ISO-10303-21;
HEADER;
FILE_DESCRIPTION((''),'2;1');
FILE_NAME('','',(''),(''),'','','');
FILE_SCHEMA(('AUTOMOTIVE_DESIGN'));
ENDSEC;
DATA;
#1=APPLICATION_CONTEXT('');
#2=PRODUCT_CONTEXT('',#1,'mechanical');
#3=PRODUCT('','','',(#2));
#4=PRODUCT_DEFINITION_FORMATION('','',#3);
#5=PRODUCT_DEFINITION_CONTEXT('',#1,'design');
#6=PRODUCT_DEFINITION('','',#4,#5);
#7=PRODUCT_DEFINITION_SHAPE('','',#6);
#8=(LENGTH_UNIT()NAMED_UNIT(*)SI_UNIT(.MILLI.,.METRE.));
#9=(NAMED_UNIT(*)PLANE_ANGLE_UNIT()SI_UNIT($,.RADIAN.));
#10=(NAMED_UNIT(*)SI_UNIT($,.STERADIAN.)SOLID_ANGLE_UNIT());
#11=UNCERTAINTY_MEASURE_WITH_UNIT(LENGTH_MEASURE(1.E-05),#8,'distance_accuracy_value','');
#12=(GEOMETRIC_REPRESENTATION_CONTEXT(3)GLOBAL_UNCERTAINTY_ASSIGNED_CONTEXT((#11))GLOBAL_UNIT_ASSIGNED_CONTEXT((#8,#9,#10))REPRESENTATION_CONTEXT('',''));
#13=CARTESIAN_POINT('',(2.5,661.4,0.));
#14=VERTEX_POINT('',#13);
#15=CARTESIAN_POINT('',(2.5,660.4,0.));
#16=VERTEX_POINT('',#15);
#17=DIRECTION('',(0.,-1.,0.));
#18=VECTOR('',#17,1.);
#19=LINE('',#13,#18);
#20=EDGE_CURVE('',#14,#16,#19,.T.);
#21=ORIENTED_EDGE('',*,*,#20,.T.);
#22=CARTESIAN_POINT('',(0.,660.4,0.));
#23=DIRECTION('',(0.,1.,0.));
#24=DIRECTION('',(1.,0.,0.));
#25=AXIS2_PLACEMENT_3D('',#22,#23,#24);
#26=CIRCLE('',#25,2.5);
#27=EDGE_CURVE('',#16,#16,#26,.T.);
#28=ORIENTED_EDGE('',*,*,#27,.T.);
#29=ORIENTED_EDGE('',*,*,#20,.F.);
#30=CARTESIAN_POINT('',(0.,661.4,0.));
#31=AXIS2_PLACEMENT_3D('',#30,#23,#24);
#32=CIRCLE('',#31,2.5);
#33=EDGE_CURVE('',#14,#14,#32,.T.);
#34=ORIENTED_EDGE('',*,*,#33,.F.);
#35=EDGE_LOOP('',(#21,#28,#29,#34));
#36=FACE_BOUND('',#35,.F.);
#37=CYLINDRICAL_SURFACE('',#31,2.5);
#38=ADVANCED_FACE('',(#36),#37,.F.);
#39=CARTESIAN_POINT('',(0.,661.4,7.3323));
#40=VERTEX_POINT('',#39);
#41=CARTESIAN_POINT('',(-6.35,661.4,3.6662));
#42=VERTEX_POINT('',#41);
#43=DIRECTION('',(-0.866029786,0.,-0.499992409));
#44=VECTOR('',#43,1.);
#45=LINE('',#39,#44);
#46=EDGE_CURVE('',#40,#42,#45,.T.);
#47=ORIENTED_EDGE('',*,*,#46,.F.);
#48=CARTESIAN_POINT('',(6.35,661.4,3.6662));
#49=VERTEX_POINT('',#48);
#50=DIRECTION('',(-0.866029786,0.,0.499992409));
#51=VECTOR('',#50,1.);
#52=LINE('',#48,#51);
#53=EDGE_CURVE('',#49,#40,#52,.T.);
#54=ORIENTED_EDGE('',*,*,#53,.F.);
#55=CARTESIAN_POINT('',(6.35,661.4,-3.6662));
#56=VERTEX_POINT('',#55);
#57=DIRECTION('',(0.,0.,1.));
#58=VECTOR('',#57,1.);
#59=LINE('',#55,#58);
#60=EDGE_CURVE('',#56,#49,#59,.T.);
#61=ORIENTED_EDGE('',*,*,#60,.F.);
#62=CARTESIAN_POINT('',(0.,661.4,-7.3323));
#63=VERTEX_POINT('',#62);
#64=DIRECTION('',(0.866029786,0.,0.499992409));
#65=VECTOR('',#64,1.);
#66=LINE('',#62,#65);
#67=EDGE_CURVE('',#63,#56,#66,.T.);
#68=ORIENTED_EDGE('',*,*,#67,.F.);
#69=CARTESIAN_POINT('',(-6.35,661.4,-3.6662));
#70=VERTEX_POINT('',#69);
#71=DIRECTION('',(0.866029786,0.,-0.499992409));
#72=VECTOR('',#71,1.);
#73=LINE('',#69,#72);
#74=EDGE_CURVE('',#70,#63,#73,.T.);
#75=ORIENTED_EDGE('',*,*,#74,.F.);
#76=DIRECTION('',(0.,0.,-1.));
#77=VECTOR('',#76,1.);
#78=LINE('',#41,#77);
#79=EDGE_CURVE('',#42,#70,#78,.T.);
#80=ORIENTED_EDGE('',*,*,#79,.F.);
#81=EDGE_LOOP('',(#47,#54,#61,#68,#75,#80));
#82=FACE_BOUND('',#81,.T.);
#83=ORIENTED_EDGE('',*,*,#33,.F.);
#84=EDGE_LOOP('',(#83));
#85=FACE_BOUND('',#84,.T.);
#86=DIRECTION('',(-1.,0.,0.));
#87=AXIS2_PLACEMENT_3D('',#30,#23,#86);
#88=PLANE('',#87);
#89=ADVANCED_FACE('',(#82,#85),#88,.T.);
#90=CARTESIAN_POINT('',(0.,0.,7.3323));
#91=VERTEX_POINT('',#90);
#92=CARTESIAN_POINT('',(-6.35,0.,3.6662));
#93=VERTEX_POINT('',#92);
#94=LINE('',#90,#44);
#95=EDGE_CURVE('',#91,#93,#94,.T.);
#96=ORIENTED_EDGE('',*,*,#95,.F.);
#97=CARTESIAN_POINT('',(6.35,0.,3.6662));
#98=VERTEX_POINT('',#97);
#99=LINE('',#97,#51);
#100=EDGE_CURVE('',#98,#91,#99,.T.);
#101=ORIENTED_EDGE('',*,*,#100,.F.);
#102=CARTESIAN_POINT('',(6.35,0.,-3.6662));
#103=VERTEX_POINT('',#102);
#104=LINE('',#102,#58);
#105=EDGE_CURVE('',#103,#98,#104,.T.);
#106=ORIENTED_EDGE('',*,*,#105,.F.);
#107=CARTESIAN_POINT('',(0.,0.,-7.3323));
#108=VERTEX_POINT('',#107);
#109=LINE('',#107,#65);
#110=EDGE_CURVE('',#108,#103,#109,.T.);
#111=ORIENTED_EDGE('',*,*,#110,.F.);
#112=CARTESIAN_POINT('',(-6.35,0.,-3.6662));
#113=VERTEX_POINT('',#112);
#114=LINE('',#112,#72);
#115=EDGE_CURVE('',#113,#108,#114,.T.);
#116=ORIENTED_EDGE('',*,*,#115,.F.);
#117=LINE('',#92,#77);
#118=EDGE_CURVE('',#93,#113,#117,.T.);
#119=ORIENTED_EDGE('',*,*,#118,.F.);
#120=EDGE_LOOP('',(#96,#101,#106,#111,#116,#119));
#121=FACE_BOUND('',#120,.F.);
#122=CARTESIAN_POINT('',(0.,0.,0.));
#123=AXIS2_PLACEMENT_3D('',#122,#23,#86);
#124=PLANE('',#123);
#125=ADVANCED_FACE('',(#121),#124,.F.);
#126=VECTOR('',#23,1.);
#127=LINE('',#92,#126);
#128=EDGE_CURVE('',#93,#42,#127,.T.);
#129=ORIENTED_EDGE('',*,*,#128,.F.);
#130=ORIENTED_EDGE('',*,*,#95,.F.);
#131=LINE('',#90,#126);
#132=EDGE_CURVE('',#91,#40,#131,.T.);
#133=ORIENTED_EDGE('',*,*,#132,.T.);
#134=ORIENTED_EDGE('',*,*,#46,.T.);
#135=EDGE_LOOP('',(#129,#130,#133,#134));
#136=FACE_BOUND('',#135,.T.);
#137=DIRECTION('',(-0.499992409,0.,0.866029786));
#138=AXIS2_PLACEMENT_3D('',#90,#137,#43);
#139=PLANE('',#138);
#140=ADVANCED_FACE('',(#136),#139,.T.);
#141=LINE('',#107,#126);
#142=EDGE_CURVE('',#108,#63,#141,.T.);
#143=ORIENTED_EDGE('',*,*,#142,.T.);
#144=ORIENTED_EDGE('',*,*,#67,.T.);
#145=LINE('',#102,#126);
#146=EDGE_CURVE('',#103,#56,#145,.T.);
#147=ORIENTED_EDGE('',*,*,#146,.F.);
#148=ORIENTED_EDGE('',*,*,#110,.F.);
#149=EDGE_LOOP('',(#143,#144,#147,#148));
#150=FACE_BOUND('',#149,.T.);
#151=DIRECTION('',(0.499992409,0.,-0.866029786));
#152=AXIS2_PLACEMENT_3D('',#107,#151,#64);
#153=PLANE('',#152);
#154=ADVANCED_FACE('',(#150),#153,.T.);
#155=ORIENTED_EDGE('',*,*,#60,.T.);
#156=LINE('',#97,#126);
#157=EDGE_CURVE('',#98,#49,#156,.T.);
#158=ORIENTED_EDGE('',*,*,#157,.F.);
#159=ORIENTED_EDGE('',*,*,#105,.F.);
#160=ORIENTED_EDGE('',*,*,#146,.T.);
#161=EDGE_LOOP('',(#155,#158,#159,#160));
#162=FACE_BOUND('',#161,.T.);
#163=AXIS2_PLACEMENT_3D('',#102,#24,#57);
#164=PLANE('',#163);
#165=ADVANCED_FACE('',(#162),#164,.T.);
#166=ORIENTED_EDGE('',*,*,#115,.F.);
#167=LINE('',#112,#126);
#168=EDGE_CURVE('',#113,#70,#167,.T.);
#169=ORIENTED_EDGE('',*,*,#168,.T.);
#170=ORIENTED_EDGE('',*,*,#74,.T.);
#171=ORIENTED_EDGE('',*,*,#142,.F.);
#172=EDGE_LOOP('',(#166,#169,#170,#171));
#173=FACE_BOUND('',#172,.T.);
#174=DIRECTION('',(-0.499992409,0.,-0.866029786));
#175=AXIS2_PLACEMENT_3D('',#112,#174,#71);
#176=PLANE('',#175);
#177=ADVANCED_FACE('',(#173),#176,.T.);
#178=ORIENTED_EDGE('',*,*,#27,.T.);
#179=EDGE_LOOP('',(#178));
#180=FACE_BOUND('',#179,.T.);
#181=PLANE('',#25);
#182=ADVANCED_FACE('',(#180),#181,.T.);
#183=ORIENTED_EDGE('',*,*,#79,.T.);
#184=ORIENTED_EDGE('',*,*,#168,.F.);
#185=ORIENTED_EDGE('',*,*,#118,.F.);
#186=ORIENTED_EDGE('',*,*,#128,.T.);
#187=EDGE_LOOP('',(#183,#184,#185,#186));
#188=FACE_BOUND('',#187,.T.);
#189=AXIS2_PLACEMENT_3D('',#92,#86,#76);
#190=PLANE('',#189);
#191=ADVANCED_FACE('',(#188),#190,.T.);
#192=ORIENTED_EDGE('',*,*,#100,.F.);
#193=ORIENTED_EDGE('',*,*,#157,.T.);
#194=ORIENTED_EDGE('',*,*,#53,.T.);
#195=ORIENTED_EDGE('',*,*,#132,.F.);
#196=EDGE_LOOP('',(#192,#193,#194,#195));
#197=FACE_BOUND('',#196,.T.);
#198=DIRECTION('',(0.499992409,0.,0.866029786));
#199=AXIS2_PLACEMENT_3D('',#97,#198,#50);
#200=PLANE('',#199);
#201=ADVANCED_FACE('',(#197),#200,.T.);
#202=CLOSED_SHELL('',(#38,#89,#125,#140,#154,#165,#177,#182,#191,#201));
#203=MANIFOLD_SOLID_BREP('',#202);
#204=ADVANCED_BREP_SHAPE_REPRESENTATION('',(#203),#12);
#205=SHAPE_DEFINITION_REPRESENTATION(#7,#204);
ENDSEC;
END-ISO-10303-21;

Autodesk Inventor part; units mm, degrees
ref_plane "YZ Plane" through (0, 0, 0) normal (1, 0, 0) x (0, 1, 0)
ref_plane "XZ Plane" through (0, 0, 0) normal (0, 1, 0) x (-1, 0, 0)
ref_plane "XY Plane" through (0, 0, 0) normal (0, 0, 1) x (1, 0, 0)
sketch "Esboço1" plane through (0, 0, 0) normal (0, 1, 0) x (-1, 0, 0)
  line L0 (0, -7.3323) -> (-6.35, -3.6662)
  line L1 (-6.35, -3.6662) -> (-6.35, 3.6662)
  line L2 (-6.35, 3.6662) -> (0, 7.3323)
  line L3 (0, 7.3323) -> (6.35, 3.6662)
  line L4 (6.35, 3.6662) -> (6.35, -3.6662)
  line L5 (6.35, -3.6662) -> (0, -7.3323)
  point P0 (0, 0)
  point P1 (0, 0)
  dimension "d0" = 12.7
extrude "Extrusão1" add sketch "Esboço1" along normal blind 661.4
sketch "Esboço2" plane through (0, 661.4, 0) normal (0, 1, 0) x (1, 0, 0)
  circle A0 centre (0, 0) radius 2.5
  dimension "d3" = 5
extrude "Extrusão2" cut sketch "Esboço2" against normal blind 1
properties part number "EIXO SEXTAVADO 661,4MM"
